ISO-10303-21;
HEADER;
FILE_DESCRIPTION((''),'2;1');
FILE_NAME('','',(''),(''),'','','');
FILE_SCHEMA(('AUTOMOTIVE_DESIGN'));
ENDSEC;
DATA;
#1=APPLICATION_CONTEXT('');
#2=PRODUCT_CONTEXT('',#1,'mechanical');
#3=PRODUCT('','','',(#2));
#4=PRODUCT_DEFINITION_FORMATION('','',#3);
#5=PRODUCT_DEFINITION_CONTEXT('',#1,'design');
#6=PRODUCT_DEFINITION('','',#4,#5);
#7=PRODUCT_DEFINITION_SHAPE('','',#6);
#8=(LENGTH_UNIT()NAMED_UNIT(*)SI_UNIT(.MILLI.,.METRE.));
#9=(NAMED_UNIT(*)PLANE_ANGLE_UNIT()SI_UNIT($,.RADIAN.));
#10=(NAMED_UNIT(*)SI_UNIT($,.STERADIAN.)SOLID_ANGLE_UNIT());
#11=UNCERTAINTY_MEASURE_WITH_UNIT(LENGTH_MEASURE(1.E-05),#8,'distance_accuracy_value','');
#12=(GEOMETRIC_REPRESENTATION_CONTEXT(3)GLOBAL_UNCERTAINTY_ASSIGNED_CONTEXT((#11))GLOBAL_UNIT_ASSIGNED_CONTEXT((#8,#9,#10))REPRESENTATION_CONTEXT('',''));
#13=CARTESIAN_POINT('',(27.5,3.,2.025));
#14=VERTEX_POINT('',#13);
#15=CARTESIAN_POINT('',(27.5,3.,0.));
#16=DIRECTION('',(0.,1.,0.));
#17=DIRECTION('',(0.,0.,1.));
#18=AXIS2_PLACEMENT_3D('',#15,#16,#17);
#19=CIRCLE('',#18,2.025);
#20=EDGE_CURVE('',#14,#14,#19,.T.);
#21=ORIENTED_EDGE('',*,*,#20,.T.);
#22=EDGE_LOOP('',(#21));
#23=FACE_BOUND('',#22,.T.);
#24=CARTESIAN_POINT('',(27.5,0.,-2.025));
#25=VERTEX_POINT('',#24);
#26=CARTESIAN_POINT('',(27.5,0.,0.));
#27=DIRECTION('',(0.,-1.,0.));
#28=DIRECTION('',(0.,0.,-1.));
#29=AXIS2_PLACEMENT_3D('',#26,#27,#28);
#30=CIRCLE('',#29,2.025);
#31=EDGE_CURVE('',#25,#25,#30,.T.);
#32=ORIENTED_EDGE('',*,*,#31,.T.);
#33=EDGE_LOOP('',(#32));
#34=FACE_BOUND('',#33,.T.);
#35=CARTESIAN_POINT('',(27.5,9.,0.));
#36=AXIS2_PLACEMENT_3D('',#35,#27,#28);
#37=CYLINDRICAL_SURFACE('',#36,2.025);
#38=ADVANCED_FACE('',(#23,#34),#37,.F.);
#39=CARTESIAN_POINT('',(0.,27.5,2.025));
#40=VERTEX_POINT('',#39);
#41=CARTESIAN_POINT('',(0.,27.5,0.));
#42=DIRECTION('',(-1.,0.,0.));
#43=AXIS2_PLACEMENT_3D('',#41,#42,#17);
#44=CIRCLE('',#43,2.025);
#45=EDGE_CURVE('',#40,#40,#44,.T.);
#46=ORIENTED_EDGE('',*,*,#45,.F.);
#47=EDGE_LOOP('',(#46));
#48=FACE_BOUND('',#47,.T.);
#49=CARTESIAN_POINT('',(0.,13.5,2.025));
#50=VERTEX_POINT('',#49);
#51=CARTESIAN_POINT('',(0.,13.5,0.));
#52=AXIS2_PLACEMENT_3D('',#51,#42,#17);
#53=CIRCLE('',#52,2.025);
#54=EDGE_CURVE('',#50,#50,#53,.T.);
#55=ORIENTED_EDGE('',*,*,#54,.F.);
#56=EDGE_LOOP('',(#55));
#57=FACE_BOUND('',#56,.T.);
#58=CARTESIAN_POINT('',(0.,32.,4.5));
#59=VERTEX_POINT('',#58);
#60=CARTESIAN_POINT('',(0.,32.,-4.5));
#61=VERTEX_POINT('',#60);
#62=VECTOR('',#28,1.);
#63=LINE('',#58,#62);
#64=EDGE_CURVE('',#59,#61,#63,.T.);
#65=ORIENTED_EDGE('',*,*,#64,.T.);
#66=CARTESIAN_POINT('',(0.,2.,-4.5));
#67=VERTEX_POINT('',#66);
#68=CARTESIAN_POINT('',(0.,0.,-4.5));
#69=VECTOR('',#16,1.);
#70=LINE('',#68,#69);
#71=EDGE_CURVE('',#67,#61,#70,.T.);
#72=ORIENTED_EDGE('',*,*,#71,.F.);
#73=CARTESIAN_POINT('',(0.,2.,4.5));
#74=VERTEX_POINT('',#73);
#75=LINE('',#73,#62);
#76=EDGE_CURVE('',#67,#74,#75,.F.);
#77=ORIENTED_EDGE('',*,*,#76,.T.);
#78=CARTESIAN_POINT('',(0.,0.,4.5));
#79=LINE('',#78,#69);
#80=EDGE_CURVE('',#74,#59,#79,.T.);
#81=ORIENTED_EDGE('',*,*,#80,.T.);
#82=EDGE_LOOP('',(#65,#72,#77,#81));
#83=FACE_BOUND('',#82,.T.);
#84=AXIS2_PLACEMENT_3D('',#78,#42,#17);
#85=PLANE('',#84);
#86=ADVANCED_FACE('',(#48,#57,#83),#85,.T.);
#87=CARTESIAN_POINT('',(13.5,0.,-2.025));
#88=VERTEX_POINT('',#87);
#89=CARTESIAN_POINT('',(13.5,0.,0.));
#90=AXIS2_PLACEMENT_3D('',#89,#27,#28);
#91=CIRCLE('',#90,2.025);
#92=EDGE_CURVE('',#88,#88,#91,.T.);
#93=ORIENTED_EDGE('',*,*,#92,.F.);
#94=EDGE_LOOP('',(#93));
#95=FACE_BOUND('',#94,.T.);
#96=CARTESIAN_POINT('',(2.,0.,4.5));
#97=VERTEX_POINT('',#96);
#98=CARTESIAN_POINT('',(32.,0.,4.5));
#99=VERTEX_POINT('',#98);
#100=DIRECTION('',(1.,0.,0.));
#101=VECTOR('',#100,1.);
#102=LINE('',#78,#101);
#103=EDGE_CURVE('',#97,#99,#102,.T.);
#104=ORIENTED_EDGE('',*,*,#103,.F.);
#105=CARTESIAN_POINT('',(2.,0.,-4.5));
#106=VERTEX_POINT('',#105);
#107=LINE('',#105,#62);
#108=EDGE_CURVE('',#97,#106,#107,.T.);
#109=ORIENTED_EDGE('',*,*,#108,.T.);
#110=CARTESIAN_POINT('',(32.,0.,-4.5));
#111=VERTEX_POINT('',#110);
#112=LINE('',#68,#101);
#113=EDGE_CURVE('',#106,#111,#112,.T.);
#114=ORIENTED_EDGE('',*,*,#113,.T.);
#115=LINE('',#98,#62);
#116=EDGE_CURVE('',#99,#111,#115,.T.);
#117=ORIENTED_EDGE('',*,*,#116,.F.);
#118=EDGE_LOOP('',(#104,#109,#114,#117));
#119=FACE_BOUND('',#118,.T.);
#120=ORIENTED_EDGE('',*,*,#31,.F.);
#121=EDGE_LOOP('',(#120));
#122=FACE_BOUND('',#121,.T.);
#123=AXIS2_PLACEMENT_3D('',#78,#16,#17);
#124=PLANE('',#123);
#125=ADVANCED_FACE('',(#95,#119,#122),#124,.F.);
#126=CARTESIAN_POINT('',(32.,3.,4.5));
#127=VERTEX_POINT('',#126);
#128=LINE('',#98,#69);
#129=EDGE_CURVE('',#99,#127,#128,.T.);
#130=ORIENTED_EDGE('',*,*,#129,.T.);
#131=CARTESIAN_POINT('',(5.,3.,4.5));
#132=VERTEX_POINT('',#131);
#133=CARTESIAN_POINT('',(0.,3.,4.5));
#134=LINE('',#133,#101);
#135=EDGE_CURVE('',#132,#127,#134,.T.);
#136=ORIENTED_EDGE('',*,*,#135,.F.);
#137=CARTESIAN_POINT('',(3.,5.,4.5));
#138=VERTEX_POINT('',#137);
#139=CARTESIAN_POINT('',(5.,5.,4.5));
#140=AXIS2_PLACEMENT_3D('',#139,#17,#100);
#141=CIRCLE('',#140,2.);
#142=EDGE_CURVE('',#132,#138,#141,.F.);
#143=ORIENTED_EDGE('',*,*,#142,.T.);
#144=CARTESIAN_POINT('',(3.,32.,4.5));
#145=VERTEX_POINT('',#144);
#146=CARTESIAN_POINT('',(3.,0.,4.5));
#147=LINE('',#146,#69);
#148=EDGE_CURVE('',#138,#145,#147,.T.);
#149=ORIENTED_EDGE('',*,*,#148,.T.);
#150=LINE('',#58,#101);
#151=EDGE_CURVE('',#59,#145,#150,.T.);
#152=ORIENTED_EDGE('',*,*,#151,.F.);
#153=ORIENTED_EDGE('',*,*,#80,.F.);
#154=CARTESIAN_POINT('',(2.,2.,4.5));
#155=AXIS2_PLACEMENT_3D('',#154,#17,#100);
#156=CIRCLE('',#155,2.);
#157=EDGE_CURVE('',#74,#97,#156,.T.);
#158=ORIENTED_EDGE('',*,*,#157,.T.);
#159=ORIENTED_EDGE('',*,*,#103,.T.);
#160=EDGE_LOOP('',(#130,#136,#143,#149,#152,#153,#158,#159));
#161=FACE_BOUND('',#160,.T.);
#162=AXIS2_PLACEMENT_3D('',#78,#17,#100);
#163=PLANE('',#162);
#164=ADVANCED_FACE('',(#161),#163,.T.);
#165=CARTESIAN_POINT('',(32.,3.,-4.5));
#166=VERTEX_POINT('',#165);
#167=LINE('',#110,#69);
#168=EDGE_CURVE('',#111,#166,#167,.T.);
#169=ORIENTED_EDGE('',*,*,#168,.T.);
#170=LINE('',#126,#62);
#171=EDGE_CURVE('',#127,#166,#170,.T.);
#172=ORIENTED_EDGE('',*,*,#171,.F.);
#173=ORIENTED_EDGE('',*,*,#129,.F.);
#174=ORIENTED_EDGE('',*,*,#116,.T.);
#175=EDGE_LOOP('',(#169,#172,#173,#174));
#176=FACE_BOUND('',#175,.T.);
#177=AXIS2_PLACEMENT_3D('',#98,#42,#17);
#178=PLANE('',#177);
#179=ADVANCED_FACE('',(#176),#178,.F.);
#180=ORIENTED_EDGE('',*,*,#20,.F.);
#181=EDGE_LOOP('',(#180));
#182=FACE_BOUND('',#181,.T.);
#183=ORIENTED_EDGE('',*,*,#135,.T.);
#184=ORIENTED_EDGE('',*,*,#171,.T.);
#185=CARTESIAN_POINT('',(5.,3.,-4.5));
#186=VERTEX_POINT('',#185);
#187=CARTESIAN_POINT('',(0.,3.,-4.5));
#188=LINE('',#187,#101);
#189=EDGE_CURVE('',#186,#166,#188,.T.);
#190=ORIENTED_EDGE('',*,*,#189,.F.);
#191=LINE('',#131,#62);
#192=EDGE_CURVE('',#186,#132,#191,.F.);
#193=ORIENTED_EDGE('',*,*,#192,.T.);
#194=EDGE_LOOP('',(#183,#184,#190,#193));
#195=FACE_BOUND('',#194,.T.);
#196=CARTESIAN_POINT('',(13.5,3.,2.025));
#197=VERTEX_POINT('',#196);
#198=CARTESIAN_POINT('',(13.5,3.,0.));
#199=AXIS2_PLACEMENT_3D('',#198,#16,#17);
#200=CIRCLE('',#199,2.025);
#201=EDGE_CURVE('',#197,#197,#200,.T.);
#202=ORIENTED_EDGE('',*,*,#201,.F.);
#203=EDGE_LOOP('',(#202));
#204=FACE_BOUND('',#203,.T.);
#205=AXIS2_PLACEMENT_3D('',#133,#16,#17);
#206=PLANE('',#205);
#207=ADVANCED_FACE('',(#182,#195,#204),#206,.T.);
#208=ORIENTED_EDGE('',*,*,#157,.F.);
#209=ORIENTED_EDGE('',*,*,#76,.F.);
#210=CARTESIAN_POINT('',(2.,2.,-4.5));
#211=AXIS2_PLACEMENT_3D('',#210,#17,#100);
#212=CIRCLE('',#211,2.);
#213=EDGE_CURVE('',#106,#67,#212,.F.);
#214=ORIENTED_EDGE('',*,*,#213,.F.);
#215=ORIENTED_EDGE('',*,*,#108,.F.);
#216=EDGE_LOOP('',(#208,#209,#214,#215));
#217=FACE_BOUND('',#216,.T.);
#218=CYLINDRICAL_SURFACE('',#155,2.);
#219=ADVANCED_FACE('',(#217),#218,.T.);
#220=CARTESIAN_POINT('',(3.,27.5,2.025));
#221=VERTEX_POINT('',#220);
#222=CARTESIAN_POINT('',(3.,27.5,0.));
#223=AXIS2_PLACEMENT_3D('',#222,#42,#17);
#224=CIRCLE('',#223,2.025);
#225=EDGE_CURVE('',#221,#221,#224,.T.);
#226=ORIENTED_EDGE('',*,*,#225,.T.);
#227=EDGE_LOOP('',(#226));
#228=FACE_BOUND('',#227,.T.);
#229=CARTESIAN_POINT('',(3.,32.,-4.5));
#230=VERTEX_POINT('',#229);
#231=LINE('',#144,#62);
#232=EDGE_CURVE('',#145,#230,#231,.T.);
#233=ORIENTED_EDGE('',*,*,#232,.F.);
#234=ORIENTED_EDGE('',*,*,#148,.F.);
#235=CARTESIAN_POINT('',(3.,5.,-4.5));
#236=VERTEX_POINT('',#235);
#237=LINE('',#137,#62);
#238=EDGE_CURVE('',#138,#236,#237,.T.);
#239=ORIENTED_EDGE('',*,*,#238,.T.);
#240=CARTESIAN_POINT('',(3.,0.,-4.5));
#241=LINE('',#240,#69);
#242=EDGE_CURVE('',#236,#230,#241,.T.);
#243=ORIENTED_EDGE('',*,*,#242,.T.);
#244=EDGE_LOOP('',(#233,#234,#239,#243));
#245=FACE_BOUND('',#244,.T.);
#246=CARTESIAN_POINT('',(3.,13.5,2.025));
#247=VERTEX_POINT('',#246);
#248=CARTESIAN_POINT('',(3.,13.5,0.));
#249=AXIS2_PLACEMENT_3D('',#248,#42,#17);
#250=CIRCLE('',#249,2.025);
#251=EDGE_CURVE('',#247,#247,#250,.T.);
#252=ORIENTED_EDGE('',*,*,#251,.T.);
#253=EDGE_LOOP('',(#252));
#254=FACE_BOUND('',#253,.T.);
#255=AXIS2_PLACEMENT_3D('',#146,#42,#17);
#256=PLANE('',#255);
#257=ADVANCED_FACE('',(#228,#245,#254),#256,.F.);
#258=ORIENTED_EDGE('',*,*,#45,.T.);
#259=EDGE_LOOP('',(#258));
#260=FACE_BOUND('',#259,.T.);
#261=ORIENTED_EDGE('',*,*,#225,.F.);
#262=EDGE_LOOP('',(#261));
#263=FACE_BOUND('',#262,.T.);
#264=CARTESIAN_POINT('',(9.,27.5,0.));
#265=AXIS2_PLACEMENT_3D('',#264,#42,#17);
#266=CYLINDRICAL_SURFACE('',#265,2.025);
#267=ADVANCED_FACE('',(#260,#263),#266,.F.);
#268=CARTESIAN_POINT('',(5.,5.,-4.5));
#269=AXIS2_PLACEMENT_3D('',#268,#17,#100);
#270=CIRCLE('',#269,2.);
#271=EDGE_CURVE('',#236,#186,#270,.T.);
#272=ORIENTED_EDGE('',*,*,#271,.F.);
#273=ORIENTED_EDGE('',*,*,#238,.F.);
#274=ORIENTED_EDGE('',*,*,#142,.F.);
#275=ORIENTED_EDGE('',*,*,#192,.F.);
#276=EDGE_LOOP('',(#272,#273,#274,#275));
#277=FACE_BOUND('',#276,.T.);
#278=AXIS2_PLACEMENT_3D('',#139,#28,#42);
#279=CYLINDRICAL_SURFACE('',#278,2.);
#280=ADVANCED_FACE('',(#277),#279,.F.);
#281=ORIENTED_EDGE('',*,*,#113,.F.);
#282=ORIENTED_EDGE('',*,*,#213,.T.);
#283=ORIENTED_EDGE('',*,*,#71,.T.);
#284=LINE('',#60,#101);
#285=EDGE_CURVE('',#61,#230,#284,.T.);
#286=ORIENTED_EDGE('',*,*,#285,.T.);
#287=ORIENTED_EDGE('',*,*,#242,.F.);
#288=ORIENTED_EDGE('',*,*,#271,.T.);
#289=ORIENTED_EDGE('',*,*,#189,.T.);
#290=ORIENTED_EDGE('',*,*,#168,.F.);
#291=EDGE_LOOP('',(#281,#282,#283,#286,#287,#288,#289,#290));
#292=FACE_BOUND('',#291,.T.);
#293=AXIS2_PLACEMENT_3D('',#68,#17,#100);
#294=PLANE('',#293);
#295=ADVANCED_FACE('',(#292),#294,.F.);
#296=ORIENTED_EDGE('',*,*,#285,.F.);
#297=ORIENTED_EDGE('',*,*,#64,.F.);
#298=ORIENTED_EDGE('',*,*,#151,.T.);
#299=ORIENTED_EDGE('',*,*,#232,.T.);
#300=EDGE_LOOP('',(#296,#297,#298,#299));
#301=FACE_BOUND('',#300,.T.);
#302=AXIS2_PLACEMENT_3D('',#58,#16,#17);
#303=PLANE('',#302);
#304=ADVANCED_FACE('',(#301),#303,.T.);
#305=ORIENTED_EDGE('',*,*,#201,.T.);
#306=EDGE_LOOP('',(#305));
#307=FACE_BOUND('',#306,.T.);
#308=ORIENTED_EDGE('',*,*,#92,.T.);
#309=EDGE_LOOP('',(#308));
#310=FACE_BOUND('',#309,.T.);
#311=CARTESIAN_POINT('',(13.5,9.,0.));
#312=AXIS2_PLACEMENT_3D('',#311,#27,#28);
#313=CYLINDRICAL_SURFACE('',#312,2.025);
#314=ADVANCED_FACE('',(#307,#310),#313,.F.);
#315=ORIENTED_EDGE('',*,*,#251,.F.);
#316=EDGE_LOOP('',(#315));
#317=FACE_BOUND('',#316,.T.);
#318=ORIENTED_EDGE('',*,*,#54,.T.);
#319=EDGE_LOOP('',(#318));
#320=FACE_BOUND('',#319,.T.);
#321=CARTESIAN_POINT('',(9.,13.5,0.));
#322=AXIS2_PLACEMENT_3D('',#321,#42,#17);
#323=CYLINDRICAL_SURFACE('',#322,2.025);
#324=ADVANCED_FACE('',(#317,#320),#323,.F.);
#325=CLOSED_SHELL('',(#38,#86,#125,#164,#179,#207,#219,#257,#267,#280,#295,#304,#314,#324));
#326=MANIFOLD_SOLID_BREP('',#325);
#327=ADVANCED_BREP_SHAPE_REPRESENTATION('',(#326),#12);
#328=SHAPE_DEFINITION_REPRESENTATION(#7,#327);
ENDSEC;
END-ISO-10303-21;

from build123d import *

# Parameters (mm, degrees)
SKETCH_1_W          = 3
SKETCH_1_H          = 29
SKETCH_1_W_2        = 32
SKETCH_1_H_2        = 3
EXTRUDE_1_DEPTH     = 4.5
SKETCH_3_R          = 2.025
CUT_EXTRUDE_1_DEPTH = 9
SKETCH_4_R          = 2.025
CUT_EXTRUDE_2_DEPTH = 9
FILLET_1_R          = 2


with BuildPart() as part:
    # 草图1 → 凸台-拉伸1 (new body, symmetric)
    with BuildSketch(Plane.XY):
        with Locations((1.5, 17.5)):
            Rectangle(SKETCH_1_W, SKETCH_1_H)
        with Locations((16, 1.5)):
            Rectangle(SKETCH_1_W_2, SKETCH_1_H_2)
    extrude(amount=EXTRUDE_1_DEPTH, both=True)

    # 草图3 → 切除-拉伸1 (cut)
    with BuildSketch(Plane.XZ):
        with Locations((13.5, 0)):
            Circle(SKETCH_3_R)
        with Locations((27.5, 0)):
            Circle(SKETCH_3_R)
    extrude(amount=-CUT_EXTRUDE_1_DEPTH, mode=Mode.SUBTRACT)

    # 草图4 → 切除-拉伸2 (cut)
    with BuildSketch(Plane.ZY):
        with Locations((0, 27.5)):
            Circle(SKETCH_4_R)
        with Locations((0, 13.5)):
            Circle(SKETCH_4_R)
    extrude(amount=-CUT_EXTRUDE_2_DEPTH, mode=Mode.SUBTRACT)

    # 圆角1
    fillet_1_edges = [part.edges().sort_by_distance(p)[0] for p in [
        (3, 3, 0),
        (0, 0, 0),
    ]]
    fillet(fillet_1_edges, radius=FILLET_1_R)


solid = part.part
